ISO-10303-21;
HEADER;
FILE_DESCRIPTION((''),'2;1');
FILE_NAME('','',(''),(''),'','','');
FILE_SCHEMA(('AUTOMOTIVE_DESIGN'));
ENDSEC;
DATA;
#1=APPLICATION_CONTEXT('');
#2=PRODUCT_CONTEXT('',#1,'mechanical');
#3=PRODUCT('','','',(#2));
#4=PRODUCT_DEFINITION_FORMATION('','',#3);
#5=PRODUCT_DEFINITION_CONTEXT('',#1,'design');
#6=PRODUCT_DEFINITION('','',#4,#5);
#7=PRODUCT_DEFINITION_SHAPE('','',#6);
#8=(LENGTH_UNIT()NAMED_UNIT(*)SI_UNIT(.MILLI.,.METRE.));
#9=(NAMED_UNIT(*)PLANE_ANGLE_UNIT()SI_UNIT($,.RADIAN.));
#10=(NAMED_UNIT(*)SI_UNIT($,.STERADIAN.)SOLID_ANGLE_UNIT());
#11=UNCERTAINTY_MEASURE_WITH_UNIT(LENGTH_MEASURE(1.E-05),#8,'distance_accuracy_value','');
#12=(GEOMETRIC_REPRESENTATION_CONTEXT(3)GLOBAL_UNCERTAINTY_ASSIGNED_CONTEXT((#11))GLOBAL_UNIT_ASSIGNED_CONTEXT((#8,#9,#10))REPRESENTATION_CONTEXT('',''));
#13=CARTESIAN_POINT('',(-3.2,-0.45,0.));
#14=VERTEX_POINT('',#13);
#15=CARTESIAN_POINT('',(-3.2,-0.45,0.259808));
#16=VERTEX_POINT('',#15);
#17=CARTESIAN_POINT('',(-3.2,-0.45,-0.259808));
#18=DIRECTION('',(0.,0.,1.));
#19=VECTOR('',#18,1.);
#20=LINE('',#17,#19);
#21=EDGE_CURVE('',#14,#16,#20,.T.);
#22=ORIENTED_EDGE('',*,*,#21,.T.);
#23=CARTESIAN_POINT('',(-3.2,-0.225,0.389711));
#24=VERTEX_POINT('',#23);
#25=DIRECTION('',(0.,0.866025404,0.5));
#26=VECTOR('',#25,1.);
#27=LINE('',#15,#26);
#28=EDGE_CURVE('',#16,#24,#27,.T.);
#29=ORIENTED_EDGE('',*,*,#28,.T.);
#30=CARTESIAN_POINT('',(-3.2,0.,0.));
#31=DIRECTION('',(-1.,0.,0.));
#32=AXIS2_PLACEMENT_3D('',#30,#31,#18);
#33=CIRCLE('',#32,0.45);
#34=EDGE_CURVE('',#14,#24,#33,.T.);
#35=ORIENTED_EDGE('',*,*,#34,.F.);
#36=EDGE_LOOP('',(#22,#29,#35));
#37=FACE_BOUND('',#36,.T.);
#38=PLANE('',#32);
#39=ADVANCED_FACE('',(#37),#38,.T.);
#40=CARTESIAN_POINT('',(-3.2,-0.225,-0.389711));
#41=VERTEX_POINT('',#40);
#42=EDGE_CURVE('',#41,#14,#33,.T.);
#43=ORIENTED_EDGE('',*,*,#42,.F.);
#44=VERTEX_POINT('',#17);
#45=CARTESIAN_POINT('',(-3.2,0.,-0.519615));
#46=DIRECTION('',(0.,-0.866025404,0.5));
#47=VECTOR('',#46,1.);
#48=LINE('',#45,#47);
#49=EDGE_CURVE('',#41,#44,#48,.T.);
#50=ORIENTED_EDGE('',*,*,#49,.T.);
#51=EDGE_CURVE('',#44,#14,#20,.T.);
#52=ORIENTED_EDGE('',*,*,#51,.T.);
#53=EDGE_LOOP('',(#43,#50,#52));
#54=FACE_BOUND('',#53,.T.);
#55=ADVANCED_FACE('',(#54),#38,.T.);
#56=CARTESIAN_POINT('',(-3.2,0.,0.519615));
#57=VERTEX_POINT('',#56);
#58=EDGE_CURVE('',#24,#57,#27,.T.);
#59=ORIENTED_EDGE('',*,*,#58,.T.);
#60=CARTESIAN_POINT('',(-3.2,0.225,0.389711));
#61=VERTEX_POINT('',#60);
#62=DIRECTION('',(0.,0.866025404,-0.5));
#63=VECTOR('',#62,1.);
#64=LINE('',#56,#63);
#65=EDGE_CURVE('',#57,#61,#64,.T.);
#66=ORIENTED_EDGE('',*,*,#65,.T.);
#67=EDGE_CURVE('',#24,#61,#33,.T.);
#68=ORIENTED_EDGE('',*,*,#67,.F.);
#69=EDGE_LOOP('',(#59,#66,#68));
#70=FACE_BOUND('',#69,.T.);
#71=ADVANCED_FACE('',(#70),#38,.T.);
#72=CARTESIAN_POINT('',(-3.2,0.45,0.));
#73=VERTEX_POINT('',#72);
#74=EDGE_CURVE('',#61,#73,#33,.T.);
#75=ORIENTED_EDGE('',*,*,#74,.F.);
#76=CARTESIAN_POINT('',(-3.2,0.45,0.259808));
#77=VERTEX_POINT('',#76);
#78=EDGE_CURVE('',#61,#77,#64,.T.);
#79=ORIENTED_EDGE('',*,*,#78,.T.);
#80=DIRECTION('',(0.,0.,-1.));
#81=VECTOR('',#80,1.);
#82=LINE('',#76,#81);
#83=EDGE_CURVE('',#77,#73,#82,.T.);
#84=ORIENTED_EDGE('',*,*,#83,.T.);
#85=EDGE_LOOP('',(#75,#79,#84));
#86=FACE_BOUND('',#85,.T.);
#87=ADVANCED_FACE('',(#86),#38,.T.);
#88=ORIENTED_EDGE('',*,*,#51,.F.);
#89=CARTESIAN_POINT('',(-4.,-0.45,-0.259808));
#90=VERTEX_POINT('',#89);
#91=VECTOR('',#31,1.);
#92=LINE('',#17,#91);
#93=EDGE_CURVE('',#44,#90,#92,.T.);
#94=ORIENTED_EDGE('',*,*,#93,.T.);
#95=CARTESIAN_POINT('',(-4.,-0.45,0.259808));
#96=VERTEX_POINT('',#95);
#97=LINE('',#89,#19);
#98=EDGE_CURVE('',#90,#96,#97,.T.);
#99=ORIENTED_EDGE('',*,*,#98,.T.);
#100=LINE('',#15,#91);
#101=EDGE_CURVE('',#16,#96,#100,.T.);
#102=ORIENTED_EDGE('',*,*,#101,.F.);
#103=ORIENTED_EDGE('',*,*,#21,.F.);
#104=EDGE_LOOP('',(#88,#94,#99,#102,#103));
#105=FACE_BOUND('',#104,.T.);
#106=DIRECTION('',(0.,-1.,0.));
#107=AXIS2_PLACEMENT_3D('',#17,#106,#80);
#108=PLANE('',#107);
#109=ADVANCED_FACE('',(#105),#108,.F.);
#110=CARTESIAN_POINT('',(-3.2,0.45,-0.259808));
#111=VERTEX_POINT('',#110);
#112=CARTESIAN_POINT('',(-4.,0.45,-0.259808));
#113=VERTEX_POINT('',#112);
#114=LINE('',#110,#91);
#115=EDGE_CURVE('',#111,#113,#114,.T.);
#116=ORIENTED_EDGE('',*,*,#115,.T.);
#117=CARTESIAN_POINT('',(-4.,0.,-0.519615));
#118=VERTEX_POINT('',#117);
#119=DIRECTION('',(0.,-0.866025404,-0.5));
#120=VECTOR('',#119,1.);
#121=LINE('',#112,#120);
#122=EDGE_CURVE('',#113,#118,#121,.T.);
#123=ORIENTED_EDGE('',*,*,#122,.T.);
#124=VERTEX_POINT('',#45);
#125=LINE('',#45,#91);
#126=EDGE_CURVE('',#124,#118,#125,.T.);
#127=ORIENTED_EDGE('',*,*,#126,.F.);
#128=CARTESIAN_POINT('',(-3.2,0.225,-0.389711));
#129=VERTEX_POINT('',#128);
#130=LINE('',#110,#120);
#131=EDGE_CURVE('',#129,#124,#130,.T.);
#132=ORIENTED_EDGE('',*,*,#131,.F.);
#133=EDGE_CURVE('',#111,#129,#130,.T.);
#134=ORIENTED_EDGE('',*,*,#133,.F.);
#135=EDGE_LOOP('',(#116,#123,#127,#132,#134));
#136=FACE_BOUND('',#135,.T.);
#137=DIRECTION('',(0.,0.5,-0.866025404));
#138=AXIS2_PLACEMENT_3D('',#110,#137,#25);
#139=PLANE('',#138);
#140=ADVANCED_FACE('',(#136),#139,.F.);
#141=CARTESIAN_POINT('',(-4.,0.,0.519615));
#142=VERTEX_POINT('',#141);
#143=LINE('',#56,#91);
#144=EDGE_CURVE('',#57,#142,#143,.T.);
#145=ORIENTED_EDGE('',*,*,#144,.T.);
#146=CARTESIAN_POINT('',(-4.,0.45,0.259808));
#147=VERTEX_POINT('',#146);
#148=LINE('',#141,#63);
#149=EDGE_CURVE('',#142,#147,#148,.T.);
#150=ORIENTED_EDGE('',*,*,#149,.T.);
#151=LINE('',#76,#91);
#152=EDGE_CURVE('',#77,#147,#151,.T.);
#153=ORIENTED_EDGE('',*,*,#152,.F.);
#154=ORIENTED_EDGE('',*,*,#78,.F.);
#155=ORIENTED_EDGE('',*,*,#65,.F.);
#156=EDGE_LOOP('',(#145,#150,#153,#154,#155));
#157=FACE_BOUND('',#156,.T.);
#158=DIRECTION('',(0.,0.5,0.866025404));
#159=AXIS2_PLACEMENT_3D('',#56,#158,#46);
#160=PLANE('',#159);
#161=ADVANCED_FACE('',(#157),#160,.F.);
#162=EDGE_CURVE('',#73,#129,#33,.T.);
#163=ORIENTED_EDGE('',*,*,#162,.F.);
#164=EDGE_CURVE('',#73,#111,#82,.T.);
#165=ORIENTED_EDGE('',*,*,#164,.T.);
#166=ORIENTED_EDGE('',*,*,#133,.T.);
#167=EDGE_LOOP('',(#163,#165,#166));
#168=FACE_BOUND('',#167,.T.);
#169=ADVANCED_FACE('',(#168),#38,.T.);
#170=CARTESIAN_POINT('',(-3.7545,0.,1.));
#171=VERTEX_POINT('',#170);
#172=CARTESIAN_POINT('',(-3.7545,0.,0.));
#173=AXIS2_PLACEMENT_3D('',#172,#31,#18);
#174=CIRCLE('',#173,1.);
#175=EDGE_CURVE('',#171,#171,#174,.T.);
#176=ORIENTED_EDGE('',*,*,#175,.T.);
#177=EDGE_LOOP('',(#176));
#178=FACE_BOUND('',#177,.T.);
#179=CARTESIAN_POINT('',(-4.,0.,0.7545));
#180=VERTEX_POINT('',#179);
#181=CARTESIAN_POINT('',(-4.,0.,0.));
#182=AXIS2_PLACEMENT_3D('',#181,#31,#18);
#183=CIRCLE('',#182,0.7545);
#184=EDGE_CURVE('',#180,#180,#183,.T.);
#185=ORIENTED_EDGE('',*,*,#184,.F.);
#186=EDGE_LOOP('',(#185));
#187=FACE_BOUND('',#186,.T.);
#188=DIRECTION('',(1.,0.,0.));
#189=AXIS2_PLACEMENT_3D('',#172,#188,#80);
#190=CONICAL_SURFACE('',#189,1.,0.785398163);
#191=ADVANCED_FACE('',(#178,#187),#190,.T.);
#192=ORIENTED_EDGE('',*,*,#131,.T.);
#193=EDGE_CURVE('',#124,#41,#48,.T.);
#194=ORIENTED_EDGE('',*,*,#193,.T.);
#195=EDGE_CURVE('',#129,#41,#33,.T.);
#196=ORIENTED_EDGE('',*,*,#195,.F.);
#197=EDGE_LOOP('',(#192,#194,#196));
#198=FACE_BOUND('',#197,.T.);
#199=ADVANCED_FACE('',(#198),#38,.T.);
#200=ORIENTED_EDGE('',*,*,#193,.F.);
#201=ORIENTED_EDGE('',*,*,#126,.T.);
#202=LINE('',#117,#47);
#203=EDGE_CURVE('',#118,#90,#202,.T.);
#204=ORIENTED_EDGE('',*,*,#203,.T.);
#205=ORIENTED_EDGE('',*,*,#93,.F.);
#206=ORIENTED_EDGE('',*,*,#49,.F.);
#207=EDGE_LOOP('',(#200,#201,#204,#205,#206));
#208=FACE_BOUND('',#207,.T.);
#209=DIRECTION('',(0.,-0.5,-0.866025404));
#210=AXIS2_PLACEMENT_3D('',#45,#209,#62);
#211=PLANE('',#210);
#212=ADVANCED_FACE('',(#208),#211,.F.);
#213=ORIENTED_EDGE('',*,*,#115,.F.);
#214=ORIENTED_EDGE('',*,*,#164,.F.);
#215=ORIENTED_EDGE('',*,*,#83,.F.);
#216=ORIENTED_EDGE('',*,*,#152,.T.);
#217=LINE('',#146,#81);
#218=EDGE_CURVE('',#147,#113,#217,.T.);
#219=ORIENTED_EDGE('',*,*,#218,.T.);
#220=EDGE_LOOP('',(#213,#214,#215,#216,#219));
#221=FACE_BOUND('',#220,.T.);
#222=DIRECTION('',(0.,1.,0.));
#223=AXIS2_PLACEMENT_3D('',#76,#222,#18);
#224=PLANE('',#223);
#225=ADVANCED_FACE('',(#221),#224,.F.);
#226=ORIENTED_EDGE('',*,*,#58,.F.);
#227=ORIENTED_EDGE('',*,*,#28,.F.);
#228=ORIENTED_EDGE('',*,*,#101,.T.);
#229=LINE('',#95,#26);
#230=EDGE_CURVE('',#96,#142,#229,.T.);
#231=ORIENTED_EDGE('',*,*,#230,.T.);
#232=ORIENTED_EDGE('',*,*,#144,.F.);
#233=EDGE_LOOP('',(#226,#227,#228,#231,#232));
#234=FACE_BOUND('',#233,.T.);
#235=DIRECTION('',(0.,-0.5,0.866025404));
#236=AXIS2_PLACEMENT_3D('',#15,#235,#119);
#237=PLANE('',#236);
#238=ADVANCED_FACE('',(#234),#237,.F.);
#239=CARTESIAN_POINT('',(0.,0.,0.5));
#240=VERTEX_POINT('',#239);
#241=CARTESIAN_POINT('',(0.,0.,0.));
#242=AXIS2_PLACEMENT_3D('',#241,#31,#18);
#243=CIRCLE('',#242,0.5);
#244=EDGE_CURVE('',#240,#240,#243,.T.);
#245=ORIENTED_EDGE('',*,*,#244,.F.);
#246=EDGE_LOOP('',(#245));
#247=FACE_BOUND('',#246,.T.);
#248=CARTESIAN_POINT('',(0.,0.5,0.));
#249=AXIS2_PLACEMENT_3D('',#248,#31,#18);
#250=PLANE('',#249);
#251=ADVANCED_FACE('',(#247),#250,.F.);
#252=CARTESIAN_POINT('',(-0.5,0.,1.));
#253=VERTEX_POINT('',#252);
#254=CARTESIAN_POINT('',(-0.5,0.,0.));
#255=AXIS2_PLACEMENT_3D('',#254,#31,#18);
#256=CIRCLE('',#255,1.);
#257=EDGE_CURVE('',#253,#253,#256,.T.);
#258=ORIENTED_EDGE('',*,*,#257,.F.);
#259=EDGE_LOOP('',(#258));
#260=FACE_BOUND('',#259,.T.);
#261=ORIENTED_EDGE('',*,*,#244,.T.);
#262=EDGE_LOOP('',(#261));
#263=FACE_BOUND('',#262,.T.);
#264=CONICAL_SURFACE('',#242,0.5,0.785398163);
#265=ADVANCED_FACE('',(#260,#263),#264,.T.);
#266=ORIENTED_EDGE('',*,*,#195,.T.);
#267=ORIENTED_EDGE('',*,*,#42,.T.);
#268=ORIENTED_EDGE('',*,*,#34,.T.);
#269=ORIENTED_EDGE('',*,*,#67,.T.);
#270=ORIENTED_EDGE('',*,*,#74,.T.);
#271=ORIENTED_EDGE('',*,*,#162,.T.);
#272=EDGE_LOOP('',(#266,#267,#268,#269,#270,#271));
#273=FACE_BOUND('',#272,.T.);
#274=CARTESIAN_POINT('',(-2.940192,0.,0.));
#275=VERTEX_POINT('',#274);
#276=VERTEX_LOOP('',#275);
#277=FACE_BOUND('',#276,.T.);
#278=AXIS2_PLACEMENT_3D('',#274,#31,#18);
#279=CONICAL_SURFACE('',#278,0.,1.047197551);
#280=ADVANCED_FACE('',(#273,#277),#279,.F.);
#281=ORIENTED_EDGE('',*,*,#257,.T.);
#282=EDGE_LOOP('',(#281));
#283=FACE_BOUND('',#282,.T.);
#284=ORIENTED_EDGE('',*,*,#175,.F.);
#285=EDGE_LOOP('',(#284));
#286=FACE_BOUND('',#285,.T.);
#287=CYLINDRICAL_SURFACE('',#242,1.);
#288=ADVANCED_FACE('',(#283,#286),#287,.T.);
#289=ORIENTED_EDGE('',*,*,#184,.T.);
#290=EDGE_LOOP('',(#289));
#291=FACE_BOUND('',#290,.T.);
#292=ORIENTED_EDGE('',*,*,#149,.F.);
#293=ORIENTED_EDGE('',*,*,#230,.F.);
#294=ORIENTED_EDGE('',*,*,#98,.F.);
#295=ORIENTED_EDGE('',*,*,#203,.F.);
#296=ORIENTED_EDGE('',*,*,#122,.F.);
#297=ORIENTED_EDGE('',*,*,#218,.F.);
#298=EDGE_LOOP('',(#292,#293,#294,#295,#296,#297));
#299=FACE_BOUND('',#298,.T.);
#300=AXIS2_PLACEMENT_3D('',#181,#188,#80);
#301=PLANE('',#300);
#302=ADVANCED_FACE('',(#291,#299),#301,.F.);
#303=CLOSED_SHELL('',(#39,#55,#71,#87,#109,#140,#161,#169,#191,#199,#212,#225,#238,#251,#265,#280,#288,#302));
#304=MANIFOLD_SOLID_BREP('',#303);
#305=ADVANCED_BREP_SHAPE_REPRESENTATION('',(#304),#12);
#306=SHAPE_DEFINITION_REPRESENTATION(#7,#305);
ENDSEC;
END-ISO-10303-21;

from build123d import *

# Parameters (mm, degrees)
CUT_EXTRUDE1_DEPTH = 0.8


with BuildPart() as part:
    # Sketch1 → Revolve1 (revolve)
    with BuildSketch(Plane.XY, mode=Mode.PRIVATE) as revolve1_sk:
        Polygon((-4, 0), (-4, 0.7545), (-3.7545, 1), (-0.5, 1), (0, 0.5), (0, 0), align=None)
    revolve(revolve1_sk.sketch.rotate(Axis((0, 0, 0), (-1, 0, 0)), 270), axis=Axis((0, 0, 0), (-1, 0, 0)))

    # Sketch2 → Cut-Extrude1 (cut)
    with BuildSketch(Plane.ZY.offset(4)):
        Polygon((-0.259807621, -0.45), (0.259807621, -0.45), (0.519615242, 0), (0.259807621, 0.45), (-0.259807621, 0.45), (-0.519615242, 0), align=None)
    extrude(amount=-CUT_EXTRUDE1_DEPTH, mode=Mode.SUBTRACT)

    # Sketch3 → Cut-Revolve1 (revolve, cut)
    with BuildSketch(Plane.XY, mode=Mode.PRIVATE) as cut_revolve1_sk:
        Polygon((-3.2, 0), (-3.2, 0.45), (-2.940192379, 0), align=None)
    revolve(cut_revolve1_sk.sketch.rotate(Axis((-2.940192379, 0, 0), (-1, 0, 0)), 270), axis=Axis((-2.940192379, 0, 0), (-1, 0, 0)), mode=Mode.SUBTRACT)


solid = part.part
